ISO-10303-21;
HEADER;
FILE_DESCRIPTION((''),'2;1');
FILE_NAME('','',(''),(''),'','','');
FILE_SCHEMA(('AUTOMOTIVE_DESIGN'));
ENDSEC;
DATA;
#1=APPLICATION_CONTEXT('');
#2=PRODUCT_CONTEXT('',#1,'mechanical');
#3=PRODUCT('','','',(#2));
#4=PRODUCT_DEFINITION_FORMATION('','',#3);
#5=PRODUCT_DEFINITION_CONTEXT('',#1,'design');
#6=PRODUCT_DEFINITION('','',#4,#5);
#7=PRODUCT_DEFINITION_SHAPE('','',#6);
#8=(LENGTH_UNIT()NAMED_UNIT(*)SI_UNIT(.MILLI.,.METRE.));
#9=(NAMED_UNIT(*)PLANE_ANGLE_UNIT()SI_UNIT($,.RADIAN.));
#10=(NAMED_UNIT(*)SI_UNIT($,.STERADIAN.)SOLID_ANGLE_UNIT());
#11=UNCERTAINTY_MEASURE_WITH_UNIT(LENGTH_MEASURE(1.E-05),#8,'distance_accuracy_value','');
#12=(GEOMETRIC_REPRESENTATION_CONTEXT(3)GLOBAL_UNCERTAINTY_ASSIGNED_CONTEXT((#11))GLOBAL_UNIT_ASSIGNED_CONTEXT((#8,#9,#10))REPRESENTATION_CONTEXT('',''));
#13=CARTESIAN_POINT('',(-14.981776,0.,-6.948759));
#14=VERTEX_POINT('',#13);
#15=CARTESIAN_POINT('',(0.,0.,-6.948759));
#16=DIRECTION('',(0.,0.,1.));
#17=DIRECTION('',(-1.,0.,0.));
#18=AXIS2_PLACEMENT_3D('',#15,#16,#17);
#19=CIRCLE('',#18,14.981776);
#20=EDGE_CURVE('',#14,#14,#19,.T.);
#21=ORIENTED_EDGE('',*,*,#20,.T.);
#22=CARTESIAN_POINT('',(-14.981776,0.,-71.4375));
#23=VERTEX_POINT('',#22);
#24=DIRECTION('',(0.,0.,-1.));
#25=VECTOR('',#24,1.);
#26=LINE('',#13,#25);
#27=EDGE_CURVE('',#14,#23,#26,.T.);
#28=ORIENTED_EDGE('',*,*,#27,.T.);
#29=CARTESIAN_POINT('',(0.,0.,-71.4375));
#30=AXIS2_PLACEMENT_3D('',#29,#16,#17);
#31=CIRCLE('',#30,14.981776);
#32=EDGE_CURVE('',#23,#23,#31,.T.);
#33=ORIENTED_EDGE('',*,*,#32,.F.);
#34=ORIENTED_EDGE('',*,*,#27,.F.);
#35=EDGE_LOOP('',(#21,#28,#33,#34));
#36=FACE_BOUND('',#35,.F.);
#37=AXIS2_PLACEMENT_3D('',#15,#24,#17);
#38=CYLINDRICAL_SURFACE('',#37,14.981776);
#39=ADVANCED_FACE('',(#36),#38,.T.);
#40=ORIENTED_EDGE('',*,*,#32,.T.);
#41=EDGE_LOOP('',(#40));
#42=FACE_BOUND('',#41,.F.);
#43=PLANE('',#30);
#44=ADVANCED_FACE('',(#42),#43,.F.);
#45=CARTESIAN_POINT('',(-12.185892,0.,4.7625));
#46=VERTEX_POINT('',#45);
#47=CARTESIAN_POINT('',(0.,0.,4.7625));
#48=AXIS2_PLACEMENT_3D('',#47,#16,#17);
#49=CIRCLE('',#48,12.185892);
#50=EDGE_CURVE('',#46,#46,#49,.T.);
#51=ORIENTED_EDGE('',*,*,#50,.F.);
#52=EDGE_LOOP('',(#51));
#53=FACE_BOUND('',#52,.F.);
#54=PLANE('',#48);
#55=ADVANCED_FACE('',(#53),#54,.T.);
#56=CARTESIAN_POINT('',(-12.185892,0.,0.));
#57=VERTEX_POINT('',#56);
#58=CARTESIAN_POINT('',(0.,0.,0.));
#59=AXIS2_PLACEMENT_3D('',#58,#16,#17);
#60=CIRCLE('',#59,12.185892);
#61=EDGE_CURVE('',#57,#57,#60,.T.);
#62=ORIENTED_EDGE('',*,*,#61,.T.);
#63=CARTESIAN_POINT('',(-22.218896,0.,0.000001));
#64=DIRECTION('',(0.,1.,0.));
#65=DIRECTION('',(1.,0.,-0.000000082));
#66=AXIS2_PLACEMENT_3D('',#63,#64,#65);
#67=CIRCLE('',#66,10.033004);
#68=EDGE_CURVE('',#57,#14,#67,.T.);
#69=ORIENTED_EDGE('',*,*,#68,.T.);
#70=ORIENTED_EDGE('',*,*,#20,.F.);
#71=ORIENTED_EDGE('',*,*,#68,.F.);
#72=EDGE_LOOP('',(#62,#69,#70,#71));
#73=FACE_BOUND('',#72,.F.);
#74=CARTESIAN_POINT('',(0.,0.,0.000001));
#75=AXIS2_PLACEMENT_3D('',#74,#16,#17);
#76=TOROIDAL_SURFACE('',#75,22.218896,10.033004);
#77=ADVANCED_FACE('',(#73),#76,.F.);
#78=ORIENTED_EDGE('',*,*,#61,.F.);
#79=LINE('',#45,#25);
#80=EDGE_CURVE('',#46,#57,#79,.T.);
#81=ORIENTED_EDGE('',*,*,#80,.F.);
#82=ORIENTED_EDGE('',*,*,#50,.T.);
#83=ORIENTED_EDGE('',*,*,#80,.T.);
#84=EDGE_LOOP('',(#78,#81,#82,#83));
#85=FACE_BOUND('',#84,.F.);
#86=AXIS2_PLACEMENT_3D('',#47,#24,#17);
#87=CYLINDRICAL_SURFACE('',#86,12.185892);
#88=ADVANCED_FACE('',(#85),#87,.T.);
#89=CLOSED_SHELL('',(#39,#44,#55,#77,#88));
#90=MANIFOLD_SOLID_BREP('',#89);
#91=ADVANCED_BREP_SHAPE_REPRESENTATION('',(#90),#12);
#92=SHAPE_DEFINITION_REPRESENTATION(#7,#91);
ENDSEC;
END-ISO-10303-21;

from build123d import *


with BuildPart() as f3:
    # F2 (on Front) → F3 (revolve)
    with BuildSketch(Plane.XZ):
        with BuildLine():
            Line((0, -71.4375), (0, 4.7625))
            Line((0, 4.7625), (-12.185892, 4.7625))
            Line((-12.185892, 4.7625), (-12.185892, 0))
            ThreePointArc((-12.185892, 0), (-12.911071, -3.745071), (-14.981776, -6.948759))
            Line((-14.981776, -6.948759), (-14.981776, -71.4375))
            Line((-14.981776, -71.4375), (0, -71.4375))
        make_face()
    revolve(axis=Axis((0, 0, -33.3375), (0, 0, 1)))


solid = f3.part
